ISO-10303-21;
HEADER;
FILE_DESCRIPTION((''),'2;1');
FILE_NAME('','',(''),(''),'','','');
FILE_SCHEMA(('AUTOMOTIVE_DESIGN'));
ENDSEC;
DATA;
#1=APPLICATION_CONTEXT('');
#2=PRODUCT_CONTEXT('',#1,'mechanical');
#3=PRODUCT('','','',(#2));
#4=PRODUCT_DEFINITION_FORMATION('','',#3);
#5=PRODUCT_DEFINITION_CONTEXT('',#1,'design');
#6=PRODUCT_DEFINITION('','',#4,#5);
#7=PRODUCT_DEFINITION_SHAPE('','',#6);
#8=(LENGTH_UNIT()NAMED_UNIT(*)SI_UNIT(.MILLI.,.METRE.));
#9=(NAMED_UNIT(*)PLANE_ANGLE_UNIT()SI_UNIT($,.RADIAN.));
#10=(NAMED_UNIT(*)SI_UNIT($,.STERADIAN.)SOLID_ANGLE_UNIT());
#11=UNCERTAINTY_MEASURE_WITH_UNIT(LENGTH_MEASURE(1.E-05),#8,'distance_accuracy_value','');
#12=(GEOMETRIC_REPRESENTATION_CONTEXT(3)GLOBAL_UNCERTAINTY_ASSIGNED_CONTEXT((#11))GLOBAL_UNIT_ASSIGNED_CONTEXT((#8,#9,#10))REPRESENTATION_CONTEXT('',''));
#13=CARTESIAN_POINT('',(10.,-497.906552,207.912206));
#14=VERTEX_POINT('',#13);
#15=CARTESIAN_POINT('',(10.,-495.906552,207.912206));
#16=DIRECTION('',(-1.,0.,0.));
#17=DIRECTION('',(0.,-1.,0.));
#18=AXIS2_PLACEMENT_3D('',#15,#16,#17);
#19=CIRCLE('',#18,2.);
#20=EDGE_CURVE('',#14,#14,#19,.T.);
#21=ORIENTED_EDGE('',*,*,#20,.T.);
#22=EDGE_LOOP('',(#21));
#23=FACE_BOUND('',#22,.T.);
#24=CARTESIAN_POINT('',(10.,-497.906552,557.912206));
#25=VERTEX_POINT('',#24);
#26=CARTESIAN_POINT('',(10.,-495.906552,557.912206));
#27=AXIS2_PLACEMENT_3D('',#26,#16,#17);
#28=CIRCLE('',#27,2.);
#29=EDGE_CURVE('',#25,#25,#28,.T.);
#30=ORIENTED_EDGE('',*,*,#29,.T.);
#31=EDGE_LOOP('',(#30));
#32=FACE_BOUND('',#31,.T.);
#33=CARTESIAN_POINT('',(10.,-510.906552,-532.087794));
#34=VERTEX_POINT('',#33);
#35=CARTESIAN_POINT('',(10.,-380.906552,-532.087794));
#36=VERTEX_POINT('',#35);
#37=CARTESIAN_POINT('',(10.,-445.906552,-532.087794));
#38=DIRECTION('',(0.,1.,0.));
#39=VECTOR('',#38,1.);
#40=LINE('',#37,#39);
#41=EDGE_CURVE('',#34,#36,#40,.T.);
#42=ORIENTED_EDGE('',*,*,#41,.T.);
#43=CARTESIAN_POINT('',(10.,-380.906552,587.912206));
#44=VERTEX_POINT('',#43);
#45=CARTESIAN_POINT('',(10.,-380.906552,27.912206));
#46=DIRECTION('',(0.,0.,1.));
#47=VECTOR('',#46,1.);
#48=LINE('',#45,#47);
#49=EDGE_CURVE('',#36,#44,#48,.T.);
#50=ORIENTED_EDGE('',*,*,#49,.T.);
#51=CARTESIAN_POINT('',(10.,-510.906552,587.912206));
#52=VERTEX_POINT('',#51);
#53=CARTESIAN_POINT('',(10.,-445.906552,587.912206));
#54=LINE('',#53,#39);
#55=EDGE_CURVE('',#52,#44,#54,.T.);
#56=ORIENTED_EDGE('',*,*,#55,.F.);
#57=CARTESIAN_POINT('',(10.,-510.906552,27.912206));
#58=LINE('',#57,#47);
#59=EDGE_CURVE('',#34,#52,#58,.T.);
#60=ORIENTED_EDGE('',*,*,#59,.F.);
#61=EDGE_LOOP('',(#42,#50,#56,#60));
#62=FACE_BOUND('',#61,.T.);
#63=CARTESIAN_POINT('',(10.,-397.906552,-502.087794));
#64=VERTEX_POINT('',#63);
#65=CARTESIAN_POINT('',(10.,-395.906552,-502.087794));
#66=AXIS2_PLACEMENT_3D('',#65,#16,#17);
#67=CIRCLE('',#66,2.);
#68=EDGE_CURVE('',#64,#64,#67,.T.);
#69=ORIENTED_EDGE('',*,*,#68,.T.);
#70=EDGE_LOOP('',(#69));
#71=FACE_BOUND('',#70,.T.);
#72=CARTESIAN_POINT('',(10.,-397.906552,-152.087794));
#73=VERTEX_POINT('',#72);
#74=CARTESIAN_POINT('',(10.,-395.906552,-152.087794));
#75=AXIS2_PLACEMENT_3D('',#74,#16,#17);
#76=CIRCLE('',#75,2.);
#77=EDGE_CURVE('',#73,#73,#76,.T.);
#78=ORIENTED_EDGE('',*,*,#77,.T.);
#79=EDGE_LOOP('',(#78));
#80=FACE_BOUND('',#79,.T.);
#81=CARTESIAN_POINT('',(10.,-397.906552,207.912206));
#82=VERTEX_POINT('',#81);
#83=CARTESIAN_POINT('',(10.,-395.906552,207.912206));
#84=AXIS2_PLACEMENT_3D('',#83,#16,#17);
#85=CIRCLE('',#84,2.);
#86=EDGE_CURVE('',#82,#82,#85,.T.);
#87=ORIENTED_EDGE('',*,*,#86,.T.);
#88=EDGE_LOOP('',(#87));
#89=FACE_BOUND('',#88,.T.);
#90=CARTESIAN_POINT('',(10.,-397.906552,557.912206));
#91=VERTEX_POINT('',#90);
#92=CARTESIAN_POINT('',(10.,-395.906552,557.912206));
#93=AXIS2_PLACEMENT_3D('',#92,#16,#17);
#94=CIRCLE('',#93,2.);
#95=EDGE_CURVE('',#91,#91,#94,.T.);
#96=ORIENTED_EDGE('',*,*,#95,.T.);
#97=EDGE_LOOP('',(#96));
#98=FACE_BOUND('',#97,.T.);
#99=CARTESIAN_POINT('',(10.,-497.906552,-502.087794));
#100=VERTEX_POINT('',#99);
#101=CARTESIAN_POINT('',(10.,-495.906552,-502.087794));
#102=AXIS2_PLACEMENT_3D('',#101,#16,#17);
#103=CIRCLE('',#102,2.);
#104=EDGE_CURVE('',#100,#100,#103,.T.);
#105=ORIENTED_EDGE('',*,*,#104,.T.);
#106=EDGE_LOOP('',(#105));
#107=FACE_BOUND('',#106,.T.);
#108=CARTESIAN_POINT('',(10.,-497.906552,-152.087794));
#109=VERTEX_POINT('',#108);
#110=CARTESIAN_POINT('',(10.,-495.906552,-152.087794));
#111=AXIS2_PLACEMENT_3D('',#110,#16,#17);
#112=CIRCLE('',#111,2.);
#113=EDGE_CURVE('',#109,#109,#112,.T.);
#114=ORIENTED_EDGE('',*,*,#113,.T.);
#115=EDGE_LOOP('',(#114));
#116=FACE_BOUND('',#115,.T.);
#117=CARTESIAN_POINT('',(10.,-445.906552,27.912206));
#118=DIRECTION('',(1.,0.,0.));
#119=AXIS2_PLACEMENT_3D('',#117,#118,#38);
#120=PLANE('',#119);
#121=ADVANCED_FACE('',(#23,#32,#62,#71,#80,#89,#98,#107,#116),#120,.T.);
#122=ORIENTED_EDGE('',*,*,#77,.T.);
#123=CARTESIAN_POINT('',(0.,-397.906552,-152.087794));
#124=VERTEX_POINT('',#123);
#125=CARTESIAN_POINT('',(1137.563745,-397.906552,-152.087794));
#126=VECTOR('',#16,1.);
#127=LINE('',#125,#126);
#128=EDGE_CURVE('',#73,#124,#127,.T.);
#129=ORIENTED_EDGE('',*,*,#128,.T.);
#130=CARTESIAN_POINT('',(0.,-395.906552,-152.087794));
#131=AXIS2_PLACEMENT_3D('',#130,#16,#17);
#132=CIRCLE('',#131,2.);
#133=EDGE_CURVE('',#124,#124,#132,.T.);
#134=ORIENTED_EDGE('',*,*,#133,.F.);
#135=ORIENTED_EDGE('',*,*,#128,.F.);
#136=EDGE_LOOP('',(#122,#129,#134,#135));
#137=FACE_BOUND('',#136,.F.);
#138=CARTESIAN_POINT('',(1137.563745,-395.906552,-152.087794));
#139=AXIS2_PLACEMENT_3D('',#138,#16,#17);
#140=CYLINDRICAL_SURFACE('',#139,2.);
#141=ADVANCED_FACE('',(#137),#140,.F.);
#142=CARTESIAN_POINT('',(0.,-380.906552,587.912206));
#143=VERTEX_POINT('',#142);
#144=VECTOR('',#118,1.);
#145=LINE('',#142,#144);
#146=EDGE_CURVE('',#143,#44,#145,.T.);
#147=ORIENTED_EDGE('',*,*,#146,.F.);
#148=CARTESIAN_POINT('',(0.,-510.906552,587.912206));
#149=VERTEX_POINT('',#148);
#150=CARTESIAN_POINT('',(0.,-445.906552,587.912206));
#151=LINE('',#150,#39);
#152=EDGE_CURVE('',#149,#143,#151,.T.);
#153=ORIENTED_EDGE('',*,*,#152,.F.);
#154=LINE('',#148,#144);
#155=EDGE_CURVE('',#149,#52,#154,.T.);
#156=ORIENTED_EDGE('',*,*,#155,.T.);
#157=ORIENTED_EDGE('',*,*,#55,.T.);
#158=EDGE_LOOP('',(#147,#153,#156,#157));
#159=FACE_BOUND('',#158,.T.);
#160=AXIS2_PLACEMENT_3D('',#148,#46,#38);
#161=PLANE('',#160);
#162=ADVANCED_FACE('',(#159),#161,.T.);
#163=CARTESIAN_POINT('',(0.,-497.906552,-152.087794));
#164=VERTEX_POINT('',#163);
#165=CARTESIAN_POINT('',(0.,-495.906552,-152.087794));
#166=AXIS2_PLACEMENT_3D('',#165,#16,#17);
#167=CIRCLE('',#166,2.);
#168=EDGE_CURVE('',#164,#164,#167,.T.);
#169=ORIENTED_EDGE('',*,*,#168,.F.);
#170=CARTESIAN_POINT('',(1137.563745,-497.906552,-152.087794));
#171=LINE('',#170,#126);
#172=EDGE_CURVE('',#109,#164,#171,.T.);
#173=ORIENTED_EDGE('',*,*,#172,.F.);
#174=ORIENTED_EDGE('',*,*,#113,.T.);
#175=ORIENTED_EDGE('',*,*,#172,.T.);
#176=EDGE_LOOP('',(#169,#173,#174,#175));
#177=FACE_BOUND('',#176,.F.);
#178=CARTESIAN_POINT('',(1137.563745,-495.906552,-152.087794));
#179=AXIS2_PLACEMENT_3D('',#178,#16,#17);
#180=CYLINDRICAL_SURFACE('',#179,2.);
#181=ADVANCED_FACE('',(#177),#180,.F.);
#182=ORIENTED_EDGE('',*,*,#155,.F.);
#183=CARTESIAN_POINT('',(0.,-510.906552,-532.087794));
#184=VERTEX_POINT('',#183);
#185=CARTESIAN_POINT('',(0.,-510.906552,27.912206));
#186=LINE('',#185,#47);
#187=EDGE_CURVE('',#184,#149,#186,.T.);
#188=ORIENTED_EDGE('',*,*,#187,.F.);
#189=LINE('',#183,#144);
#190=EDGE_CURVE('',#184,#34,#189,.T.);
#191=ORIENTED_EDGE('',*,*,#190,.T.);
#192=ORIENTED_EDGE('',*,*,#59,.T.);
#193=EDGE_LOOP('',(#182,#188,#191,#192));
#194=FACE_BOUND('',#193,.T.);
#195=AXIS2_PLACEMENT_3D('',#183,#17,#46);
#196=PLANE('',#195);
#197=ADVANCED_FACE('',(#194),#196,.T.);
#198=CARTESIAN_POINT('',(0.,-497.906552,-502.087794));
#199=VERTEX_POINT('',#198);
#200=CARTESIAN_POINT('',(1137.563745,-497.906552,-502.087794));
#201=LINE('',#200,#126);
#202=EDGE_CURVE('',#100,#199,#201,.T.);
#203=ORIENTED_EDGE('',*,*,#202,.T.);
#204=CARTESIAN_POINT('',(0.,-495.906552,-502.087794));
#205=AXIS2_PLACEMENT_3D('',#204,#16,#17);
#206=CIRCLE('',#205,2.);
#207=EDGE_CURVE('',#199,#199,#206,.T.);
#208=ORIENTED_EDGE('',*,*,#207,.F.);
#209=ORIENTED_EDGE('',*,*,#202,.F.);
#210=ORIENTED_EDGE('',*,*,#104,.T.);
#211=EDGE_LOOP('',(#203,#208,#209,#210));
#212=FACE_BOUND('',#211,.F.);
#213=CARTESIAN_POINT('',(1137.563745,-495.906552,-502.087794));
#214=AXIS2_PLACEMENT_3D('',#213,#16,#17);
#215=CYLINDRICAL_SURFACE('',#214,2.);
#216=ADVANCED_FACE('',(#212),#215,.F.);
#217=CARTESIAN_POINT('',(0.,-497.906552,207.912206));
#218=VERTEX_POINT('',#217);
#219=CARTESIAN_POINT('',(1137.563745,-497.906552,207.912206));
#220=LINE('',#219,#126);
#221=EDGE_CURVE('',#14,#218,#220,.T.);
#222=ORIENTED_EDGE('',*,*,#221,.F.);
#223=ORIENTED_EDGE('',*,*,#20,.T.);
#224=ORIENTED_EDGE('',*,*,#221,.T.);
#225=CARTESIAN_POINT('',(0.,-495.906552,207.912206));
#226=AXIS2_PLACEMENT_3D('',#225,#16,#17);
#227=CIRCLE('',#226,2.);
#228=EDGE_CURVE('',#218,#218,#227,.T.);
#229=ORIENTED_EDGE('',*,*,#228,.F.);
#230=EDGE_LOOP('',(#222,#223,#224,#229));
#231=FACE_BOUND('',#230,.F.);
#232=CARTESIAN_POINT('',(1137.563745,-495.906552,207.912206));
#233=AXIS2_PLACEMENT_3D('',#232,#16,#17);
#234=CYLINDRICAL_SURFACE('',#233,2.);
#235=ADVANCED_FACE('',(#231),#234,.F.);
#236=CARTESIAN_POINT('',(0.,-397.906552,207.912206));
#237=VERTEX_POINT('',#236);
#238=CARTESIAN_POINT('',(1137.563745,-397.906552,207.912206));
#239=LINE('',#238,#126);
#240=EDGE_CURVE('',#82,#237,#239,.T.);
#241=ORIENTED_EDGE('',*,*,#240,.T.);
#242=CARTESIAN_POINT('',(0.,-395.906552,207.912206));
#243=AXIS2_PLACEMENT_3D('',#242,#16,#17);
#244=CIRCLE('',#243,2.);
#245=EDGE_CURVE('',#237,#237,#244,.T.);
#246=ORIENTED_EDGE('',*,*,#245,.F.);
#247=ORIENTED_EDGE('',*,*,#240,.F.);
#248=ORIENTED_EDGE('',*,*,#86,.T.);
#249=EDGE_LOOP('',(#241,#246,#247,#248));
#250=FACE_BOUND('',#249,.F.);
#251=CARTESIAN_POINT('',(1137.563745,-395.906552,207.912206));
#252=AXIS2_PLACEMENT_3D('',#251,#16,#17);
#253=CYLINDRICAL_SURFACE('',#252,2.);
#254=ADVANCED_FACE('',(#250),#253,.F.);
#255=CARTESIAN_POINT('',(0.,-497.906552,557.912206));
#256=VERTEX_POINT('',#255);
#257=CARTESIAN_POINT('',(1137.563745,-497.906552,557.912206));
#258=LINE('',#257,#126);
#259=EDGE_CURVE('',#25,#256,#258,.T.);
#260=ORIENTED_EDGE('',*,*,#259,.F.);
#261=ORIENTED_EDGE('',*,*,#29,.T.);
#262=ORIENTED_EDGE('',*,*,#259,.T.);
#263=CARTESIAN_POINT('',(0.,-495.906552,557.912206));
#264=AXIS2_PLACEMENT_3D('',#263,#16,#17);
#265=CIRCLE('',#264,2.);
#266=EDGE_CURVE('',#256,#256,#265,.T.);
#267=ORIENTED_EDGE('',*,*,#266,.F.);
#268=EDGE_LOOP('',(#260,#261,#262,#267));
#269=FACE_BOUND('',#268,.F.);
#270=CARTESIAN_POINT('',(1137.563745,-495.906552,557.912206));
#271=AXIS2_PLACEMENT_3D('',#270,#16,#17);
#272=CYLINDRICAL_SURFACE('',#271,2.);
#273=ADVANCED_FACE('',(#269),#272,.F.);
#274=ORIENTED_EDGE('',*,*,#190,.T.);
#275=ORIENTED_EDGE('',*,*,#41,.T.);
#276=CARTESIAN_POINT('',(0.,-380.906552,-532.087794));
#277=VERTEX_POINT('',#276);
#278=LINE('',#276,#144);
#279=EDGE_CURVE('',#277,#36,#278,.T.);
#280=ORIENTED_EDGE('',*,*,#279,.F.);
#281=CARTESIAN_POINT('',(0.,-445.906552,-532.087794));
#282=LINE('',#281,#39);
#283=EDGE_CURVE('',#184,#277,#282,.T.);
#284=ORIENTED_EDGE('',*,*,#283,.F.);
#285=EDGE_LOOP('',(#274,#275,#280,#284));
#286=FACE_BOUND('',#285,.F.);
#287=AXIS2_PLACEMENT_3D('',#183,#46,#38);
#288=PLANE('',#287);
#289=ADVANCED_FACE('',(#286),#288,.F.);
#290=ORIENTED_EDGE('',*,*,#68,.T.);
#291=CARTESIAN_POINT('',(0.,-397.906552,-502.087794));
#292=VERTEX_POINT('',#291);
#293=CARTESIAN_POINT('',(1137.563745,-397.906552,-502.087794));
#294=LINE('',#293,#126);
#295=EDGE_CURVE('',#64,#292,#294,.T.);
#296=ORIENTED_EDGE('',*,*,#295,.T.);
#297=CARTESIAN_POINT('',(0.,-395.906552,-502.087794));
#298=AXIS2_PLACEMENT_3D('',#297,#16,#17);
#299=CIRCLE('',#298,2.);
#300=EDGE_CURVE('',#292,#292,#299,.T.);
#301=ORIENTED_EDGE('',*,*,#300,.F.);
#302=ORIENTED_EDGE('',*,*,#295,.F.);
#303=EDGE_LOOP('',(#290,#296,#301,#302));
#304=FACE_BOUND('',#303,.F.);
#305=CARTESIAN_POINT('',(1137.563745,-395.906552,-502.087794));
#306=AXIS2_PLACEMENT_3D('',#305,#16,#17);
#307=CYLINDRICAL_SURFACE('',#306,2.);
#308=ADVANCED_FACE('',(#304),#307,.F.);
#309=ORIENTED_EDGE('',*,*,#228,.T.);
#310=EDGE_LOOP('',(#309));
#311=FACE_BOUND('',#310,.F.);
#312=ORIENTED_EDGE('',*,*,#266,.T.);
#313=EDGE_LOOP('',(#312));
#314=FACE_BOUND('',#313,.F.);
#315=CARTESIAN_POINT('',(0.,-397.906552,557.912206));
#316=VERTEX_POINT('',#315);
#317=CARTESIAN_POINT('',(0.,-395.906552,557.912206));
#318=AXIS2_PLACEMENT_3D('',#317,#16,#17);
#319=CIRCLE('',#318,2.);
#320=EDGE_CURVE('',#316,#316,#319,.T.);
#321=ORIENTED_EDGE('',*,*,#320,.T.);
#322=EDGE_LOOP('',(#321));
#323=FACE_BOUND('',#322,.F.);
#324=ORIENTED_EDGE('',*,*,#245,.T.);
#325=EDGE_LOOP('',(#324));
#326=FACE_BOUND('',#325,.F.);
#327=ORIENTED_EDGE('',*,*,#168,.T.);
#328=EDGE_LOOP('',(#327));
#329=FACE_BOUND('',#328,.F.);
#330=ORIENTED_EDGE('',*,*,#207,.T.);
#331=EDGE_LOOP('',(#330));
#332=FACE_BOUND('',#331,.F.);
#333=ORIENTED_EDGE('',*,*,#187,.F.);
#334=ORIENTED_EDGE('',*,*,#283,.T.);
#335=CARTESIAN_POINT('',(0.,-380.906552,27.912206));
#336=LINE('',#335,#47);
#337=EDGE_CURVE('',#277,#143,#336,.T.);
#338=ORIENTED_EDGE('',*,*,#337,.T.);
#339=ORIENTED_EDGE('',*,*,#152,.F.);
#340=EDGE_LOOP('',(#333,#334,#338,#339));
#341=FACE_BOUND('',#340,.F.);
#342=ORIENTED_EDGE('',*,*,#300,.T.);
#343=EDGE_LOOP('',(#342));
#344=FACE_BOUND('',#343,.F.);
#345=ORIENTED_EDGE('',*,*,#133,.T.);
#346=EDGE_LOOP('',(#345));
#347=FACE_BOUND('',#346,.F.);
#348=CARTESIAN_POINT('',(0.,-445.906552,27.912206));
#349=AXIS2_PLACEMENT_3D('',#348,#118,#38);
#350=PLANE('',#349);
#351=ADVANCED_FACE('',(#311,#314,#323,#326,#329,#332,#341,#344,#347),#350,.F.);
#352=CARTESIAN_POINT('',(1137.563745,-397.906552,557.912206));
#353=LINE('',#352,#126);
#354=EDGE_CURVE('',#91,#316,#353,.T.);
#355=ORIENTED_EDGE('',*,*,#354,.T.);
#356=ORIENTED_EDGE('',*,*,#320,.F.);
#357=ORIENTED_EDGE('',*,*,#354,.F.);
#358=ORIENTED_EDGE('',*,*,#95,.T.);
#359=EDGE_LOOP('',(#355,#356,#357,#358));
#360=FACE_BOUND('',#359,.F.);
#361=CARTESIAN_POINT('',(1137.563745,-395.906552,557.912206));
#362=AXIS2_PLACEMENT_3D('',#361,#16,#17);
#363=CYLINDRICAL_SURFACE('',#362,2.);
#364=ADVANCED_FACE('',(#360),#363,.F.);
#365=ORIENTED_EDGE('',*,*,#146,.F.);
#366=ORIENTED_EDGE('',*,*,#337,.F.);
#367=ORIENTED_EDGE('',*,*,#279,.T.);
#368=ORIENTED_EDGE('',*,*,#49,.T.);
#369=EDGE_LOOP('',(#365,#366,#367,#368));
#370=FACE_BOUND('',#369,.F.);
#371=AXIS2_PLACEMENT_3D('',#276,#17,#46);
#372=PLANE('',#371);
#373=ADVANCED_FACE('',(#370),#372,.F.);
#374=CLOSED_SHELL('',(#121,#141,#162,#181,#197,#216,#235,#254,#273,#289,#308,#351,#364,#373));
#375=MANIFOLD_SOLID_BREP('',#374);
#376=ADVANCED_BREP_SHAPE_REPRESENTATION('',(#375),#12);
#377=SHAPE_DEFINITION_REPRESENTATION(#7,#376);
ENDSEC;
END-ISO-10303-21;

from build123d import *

# Parameters (mm, degrees)
F0_W     = 130
F0_H     = 1120
F1_DEPTH = 10
F3_D     = 4


with BuildPart() as f1:
    # F0 (on Right) → F1 (new body)
    with BuildSketch(Plane.YZ):
        with Locations((-445.906552, 27.912206)):
            Rectangle(F0_W, F0_H)
    extrude(amount=F1_DEPTH)

    # F3 (through all)
    with Locations(Plane.YZ.offset(10)):
        with Locations((-495.906552, 557.912206), (-395.906552, 557.912206), (-395.906552, 207.912206), (-495.906552, 207.912206), (-395.906552, -152.087794), (-495.906552, -152.087794), (-495.906552, -502.087794), (-395.906552, -502.087794)):
            Hole(F3_D / 2)


solid = f1.part
